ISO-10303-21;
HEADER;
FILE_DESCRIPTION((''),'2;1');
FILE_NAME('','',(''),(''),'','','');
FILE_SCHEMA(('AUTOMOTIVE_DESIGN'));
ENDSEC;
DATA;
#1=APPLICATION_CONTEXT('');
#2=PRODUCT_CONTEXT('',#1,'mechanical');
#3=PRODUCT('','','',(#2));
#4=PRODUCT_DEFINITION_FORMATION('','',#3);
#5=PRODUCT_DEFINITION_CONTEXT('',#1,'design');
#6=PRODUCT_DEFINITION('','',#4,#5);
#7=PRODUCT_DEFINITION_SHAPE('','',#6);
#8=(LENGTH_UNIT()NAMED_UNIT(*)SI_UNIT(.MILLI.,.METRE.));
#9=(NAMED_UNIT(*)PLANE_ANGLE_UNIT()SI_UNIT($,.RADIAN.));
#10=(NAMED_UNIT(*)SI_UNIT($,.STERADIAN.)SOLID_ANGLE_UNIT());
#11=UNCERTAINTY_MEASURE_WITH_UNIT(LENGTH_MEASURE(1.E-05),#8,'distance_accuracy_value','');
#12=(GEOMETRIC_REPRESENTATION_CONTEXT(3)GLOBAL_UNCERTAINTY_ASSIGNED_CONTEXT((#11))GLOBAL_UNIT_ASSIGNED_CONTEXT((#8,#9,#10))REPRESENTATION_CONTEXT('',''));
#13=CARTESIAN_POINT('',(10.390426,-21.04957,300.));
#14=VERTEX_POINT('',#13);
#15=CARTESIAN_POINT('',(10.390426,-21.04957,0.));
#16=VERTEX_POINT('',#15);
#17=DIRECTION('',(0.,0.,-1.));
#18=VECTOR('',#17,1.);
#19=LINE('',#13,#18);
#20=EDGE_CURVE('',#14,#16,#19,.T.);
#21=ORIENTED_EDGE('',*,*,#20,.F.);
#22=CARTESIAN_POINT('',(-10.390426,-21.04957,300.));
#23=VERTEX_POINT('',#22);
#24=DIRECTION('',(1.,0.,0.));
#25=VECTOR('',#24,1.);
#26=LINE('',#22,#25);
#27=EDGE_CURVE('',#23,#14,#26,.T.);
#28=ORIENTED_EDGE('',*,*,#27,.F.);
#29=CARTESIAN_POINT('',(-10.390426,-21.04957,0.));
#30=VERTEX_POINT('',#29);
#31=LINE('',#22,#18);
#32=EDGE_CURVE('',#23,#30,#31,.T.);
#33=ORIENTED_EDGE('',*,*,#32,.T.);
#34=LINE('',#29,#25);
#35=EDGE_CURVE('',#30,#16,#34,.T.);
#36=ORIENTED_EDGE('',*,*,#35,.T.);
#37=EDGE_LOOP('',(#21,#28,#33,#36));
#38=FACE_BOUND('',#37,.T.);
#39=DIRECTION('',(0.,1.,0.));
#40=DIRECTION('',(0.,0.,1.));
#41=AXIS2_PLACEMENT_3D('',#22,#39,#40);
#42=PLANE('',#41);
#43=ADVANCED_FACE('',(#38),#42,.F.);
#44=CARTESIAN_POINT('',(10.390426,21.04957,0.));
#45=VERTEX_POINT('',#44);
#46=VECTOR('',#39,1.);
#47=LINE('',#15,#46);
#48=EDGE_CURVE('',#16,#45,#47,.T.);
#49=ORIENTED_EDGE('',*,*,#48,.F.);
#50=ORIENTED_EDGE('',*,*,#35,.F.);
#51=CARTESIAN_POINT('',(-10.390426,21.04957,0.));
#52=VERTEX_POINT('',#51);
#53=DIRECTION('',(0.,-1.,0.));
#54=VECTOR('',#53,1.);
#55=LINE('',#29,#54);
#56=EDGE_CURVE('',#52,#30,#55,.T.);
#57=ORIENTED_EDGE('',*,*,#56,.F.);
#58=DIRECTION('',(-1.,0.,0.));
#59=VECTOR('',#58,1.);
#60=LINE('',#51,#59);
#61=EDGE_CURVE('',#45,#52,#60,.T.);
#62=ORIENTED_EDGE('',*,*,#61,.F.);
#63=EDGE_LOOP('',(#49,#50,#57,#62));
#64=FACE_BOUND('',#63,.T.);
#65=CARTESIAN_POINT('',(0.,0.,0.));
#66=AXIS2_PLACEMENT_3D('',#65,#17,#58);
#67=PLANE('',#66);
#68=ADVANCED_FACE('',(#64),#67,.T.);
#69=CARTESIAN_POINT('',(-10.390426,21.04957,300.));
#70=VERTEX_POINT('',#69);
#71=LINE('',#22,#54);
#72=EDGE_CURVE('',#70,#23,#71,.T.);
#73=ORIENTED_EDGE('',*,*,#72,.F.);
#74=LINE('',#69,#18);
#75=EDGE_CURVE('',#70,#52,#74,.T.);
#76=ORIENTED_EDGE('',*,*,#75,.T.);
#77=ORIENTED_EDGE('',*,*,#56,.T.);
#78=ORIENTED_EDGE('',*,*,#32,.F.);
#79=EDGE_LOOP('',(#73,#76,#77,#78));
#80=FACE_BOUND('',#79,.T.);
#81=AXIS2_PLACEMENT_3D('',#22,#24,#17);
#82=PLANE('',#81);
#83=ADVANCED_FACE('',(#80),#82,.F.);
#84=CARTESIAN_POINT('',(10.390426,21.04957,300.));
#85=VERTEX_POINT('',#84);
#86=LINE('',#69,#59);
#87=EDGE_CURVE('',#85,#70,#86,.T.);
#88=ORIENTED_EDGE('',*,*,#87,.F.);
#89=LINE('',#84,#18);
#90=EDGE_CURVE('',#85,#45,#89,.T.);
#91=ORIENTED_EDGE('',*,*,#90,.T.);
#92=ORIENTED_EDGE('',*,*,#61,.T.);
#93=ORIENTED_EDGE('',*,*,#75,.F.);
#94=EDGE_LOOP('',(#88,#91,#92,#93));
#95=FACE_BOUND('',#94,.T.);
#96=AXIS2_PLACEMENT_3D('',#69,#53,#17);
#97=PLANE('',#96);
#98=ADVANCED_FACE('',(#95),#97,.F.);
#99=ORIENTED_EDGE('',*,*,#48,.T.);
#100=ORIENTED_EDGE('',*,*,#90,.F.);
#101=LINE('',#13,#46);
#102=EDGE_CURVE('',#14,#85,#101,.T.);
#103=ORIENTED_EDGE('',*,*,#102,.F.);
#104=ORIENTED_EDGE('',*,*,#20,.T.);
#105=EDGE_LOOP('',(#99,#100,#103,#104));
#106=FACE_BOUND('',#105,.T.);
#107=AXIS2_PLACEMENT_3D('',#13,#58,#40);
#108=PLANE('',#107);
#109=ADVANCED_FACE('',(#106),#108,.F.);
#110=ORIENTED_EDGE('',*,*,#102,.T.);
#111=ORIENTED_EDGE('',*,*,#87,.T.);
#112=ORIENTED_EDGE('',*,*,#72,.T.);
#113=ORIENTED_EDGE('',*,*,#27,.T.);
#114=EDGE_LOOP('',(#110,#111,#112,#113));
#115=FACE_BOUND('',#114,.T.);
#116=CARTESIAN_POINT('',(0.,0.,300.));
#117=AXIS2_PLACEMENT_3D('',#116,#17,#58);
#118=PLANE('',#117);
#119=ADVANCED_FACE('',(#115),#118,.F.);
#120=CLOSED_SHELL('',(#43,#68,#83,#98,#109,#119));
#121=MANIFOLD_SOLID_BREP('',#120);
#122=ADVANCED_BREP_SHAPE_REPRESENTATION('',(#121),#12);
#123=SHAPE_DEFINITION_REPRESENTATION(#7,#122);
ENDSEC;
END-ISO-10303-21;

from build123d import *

# Parameters (mm, degrees)
SKETCH1_W           = 20.78085257
SKETCH1_H           = 42.099140982
BOSS_EXTRUDE1_DEPTH = 300


with BuildPart() as part:
    # Sketch1 → Boss-Extrude1 (new body)
    with BuildSketch(Plane.XY):
        Rectangle(SKETCH1_W, SKETCH1_H)
    extrude(amount=BOSS_EXTRUDE1_DEPTH)


solid = part.part
